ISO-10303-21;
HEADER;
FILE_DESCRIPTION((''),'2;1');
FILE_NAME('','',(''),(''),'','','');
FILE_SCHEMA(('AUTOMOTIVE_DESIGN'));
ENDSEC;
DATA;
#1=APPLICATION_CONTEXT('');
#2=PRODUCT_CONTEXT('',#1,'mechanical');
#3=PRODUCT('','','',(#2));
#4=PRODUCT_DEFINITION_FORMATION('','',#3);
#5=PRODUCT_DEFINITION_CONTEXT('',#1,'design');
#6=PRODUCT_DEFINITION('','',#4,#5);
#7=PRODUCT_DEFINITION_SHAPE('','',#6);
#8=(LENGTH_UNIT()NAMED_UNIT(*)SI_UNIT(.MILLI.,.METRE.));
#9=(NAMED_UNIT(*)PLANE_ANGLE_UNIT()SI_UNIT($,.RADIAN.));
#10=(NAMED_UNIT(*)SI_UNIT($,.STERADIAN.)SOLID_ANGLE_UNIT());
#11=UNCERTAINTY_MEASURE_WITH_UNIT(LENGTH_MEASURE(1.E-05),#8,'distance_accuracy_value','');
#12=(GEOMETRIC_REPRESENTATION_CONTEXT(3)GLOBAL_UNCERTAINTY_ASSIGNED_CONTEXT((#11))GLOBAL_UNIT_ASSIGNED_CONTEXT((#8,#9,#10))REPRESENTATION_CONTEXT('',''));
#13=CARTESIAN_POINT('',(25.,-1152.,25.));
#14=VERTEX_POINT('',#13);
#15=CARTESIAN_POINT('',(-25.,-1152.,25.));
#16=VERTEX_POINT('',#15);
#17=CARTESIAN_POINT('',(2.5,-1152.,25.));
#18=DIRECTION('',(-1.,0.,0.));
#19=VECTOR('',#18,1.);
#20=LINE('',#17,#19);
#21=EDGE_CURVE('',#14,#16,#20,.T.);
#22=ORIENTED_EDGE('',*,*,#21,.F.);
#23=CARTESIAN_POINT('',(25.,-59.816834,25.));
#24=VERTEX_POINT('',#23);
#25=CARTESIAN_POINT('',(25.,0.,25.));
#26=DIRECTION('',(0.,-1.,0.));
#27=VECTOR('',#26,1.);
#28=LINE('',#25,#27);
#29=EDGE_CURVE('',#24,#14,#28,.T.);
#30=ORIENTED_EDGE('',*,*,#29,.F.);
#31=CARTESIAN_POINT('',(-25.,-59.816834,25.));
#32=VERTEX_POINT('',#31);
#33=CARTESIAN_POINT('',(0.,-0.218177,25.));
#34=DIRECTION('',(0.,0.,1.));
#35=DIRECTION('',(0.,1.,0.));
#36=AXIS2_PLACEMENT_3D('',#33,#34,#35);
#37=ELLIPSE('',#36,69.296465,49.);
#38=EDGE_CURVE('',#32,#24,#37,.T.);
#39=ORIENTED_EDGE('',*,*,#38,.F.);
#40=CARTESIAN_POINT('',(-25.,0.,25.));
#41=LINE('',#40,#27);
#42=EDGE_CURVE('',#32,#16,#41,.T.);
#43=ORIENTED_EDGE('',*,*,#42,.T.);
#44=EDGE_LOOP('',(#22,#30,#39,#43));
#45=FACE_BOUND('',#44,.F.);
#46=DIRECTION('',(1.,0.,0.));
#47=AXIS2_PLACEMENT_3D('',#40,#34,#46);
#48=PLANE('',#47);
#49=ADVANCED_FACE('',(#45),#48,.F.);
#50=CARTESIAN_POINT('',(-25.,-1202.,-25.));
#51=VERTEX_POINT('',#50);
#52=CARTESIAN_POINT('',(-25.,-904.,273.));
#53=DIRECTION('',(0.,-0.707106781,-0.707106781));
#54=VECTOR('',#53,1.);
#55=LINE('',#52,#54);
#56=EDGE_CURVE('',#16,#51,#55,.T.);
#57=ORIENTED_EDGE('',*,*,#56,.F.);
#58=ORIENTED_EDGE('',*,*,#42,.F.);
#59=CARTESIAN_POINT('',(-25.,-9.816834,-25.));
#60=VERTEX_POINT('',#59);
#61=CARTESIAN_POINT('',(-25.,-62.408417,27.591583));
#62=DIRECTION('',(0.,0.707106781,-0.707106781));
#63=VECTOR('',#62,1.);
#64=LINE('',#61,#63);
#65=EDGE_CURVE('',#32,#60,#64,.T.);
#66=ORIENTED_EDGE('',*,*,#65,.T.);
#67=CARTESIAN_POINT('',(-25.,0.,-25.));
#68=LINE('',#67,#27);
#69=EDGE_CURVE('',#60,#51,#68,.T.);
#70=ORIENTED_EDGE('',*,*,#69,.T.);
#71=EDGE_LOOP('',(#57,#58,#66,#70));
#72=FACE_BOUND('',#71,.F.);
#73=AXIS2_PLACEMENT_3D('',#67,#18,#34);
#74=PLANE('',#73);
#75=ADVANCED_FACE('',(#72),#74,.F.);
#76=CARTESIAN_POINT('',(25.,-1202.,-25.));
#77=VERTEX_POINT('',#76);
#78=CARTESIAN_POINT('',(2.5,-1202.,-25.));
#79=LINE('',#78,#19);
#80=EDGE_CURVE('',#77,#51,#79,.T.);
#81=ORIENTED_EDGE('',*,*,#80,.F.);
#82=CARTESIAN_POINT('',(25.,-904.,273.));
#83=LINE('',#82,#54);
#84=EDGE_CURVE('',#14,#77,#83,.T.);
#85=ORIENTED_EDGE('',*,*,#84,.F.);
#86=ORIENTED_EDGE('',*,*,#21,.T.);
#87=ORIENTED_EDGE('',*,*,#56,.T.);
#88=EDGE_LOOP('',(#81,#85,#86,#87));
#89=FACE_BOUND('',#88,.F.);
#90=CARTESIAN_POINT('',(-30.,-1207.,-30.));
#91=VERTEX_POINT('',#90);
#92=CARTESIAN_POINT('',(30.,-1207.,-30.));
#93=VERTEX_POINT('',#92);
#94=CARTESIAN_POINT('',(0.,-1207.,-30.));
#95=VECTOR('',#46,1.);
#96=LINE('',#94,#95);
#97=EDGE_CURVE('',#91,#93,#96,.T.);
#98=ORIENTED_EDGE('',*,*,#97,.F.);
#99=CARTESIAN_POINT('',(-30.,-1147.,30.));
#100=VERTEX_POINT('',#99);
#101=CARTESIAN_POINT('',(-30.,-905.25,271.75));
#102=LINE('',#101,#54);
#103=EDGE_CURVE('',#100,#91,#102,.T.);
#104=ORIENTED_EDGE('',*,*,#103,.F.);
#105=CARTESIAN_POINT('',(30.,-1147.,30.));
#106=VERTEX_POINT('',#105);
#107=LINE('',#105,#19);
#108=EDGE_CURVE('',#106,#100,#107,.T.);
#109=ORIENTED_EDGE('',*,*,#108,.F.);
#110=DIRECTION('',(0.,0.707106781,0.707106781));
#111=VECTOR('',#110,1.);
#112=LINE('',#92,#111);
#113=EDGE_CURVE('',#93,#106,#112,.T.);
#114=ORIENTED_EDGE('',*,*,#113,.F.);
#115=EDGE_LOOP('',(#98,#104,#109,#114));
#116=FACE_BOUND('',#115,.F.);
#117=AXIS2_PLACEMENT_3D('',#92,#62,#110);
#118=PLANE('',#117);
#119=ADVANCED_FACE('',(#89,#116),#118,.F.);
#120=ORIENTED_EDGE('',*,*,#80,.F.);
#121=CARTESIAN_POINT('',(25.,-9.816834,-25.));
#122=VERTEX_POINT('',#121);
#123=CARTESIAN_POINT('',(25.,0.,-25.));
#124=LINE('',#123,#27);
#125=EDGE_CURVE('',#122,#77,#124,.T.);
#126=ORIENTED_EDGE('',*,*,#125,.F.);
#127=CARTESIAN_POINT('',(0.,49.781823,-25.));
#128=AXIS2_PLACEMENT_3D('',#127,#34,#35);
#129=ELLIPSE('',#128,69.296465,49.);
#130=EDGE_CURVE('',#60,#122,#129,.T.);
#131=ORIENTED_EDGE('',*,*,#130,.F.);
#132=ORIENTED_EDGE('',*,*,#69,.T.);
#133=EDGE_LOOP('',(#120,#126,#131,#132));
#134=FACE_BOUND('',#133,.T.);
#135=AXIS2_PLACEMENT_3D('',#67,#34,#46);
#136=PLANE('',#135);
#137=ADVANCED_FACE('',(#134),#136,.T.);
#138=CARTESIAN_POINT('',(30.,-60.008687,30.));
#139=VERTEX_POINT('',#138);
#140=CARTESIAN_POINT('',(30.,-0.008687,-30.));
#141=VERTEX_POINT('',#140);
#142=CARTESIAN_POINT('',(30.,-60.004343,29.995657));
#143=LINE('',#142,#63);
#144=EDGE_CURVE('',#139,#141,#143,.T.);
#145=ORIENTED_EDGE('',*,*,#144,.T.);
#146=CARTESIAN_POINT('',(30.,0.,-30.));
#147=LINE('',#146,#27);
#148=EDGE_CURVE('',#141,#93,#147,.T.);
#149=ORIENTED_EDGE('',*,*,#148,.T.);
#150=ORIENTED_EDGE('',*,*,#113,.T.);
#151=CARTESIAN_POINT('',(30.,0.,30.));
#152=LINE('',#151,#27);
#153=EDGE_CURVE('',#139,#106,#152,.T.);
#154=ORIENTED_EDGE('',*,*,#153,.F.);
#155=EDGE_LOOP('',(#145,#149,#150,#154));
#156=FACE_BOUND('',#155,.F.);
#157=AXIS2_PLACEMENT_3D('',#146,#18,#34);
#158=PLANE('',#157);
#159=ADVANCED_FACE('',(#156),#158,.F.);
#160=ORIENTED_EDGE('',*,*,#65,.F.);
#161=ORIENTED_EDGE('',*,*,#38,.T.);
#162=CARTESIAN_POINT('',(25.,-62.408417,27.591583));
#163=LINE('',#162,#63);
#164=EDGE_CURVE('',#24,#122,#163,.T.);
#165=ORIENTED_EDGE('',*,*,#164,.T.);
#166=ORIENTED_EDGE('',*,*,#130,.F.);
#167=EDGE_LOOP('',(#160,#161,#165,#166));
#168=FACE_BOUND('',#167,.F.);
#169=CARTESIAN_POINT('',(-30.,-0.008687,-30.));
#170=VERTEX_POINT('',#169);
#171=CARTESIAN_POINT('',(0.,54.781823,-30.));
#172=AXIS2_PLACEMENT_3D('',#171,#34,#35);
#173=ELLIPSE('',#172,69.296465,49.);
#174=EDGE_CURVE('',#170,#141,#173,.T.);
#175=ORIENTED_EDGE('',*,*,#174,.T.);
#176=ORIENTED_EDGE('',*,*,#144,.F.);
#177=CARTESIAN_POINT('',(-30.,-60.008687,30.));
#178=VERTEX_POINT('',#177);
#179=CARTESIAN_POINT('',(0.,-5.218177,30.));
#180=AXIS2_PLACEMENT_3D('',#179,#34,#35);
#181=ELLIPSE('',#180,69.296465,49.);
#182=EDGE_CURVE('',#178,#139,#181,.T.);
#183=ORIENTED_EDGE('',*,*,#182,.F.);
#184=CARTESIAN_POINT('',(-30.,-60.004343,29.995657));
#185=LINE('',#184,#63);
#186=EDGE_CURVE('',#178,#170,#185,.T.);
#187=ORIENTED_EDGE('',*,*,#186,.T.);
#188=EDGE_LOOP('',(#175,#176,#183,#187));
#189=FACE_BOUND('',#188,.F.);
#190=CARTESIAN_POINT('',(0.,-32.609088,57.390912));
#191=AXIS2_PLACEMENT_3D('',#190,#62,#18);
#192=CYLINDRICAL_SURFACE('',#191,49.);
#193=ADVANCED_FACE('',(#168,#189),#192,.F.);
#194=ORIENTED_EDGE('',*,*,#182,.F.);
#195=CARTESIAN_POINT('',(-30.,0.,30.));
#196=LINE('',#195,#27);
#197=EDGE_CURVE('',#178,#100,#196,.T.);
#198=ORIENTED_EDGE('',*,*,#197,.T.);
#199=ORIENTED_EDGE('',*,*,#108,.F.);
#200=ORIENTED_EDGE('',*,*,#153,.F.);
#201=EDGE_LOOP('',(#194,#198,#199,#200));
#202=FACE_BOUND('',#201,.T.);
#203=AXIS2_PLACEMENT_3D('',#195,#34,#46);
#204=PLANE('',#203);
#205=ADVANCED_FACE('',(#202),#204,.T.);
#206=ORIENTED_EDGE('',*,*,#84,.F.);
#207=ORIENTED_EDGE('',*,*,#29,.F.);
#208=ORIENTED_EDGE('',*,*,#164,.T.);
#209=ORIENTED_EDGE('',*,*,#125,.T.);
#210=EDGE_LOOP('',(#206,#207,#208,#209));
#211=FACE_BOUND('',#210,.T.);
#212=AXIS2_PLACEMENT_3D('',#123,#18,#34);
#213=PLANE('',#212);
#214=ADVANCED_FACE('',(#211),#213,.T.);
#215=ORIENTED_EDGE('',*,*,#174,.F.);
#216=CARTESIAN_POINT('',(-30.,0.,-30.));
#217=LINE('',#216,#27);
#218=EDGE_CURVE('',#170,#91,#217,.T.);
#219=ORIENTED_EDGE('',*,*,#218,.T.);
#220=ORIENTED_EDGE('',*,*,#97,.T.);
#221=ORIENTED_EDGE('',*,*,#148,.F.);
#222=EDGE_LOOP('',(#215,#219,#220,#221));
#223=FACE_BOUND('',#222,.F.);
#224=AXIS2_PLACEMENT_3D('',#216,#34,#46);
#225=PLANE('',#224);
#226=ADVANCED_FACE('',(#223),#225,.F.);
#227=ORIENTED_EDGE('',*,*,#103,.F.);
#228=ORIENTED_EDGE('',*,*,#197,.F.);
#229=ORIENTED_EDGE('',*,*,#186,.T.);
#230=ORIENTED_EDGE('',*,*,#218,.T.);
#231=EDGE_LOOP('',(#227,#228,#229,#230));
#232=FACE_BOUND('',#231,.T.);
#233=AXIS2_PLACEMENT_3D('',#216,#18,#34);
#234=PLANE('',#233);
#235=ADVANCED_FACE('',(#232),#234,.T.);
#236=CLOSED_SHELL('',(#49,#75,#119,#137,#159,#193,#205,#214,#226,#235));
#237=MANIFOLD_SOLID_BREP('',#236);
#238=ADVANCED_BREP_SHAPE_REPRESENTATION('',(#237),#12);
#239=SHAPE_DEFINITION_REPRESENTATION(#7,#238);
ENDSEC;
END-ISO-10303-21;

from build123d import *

# Parameters (mm, degrees)
F0_W     = 60
F0_H     = 60
F0_W_2   = 50
F0_H_2   = 50
F1_DEPTH = 1207
F3_DEPTH = 60.001
F5_R     = 49
F6_DEPTH = 118


with BuildPart() as f1:
    # F0 (on Front) → F1 (new body)
    with BuildSketch(Plane.XZ):
        Rectangle(F0_W, F0_H)
        Rectangle(F0_W_2, F0_H_2, mode=Mode.SUBTRACT)
    extrude(amount=F1_DEPTH)

    # F2 (on face) → F3 (cut, through all)
    with BuildSketch(Plane.YZ.offset(30)):
        Polygon((-1207, 30), (-1207, -30), (-1147, 30), align=None)
        Polygon((0, -30), (0, 30), (-60, 30), align=None)
    extrude(amount=-F3_DEPTH, mode=Mode.SUBTRACT)

    # F5 (on face) → F6 (cut, symmetric)
    with BuildSketch(Plane(origin=(0, -45, 45), x_dir=(-1, 0, 0), z_dir=(0, 0.7071067812, -0.7071067812))):
        with Locations((0, 17.5233952504)):
            Circle(F5_R)
    extrude(amount=F6_DEPTH, both=True, mode=Mode.SUBTRACT)


solid = f1.part
